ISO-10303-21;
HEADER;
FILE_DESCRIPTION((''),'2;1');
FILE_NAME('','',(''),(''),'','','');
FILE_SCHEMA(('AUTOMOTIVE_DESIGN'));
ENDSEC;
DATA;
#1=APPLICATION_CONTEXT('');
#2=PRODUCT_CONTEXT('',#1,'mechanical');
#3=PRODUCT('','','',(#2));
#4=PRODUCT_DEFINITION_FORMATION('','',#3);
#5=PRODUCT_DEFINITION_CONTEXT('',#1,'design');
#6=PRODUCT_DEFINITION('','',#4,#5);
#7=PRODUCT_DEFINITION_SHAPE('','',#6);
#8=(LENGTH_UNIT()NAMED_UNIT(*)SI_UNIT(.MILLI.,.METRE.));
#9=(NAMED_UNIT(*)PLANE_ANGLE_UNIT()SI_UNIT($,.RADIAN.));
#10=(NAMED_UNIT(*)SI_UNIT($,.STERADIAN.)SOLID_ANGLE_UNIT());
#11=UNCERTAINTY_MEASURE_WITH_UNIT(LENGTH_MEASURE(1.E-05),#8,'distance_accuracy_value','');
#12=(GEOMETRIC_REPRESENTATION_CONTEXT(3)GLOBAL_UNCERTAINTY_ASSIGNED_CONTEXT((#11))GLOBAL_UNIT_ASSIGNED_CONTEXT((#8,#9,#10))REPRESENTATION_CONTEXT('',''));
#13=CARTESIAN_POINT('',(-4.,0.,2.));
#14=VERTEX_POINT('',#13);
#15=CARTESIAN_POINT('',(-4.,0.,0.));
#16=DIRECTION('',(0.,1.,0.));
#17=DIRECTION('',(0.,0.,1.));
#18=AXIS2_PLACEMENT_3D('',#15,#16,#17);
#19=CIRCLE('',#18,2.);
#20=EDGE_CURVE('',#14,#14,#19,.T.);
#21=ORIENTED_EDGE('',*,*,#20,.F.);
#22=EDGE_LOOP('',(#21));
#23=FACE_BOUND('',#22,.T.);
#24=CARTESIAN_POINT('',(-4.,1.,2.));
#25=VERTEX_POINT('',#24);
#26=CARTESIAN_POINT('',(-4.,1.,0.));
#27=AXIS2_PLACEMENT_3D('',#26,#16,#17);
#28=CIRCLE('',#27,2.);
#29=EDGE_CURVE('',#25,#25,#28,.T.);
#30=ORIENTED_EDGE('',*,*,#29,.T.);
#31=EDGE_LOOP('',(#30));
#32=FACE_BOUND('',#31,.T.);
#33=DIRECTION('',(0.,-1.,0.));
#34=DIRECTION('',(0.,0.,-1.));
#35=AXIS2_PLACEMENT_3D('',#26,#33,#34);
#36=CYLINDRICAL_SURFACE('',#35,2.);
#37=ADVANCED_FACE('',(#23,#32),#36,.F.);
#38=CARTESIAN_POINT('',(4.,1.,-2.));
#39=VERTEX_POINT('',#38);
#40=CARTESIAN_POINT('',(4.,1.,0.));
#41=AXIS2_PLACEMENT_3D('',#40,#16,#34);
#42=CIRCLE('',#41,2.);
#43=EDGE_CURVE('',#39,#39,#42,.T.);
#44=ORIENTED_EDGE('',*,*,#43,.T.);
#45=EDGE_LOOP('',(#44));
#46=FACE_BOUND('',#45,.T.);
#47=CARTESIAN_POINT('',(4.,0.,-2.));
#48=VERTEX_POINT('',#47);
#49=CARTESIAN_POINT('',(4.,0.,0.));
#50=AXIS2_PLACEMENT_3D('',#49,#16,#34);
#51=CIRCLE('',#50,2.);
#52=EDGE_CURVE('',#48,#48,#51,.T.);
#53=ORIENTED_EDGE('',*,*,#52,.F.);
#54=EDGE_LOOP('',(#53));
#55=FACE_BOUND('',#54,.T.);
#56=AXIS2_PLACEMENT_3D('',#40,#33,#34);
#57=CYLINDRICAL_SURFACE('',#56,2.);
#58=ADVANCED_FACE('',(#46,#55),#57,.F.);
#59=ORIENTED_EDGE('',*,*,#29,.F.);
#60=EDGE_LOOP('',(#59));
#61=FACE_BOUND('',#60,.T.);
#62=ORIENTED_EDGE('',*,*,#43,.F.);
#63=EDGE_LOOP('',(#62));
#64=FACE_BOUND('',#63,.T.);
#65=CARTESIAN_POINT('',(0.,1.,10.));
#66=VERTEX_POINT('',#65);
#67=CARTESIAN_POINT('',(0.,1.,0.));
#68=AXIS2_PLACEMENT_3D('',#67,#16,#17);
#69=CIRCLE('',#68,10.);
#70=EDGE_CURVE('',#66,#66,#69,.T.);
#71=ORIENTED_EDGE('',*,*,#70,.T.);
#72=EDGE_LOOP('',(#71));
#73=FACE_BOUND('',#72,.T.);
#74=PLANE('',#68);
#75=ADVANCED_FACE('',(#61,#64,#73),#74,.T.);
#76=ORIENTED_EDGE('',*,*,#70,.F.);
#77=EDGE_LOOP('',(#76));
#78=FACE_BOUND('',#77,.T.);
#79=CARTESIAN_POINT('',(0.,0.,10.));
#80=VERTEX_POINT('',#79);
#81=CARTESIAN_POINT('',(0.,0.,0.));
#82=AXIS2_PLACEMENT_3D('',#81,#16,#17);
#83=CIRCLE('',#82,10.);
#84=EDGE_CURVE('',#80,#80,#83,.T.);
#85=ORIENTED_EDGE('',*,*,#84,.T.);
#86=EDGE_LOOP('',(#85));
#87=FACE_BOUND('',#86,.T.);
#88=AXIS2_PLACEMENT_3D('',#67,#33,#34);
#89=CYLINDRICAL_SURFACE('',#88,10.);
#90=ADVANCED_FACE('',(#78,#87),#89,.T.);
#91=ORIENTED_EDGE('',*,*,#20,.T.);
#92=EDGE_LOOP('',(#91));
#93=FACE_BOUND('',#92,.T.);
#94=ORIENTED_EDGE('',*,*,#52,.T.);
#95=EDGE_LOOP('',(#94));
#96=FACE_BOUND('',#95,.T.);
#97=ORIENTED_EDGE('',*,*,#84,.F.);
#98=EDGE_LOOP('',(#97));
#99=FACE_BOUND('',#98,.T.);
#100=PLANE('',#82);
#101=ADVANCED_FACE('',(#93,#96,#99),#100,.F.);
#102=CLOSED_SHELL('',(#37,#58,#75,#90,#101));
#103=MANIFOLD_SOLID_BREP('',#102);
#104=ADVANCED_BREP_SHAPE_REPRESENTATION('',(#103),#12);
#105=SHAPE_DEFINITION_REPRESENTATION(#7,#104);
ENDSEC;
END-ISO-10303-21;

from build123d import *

# Parameters (mm, degrees)
SKETCH1_R           = 10
SKETCH1_R_2         = 2
BOSS_EXTRUDE1_DEPTH = 1


with BuildPart() as part:
    # Sketch1 → Boss-Extrude1 (new body)
    with BuildSketch(Plane(origin=(0, 0, 0), x_dir=(1, 0, 0), z_dir=(0, 1, 0))):
        with Locations(Location((0, 0, 0), (0, 0, 270))):
            Circle(SKETCH1_R)
        with Locations(Location((-4, 0, 0), (0, 0, 270))):
            Circle(SKETCH1_R_2, mode=Mode.SUBTRACT)
        with Locations(Location((4, 0, 0), (0, 0, 90))):
            Circle(SKETCH1_R_2, mode=Mode.SUBTRACT)
    extrude(amount=BOSS_EXTRUDE1_DEPTH)


solid = part.part
